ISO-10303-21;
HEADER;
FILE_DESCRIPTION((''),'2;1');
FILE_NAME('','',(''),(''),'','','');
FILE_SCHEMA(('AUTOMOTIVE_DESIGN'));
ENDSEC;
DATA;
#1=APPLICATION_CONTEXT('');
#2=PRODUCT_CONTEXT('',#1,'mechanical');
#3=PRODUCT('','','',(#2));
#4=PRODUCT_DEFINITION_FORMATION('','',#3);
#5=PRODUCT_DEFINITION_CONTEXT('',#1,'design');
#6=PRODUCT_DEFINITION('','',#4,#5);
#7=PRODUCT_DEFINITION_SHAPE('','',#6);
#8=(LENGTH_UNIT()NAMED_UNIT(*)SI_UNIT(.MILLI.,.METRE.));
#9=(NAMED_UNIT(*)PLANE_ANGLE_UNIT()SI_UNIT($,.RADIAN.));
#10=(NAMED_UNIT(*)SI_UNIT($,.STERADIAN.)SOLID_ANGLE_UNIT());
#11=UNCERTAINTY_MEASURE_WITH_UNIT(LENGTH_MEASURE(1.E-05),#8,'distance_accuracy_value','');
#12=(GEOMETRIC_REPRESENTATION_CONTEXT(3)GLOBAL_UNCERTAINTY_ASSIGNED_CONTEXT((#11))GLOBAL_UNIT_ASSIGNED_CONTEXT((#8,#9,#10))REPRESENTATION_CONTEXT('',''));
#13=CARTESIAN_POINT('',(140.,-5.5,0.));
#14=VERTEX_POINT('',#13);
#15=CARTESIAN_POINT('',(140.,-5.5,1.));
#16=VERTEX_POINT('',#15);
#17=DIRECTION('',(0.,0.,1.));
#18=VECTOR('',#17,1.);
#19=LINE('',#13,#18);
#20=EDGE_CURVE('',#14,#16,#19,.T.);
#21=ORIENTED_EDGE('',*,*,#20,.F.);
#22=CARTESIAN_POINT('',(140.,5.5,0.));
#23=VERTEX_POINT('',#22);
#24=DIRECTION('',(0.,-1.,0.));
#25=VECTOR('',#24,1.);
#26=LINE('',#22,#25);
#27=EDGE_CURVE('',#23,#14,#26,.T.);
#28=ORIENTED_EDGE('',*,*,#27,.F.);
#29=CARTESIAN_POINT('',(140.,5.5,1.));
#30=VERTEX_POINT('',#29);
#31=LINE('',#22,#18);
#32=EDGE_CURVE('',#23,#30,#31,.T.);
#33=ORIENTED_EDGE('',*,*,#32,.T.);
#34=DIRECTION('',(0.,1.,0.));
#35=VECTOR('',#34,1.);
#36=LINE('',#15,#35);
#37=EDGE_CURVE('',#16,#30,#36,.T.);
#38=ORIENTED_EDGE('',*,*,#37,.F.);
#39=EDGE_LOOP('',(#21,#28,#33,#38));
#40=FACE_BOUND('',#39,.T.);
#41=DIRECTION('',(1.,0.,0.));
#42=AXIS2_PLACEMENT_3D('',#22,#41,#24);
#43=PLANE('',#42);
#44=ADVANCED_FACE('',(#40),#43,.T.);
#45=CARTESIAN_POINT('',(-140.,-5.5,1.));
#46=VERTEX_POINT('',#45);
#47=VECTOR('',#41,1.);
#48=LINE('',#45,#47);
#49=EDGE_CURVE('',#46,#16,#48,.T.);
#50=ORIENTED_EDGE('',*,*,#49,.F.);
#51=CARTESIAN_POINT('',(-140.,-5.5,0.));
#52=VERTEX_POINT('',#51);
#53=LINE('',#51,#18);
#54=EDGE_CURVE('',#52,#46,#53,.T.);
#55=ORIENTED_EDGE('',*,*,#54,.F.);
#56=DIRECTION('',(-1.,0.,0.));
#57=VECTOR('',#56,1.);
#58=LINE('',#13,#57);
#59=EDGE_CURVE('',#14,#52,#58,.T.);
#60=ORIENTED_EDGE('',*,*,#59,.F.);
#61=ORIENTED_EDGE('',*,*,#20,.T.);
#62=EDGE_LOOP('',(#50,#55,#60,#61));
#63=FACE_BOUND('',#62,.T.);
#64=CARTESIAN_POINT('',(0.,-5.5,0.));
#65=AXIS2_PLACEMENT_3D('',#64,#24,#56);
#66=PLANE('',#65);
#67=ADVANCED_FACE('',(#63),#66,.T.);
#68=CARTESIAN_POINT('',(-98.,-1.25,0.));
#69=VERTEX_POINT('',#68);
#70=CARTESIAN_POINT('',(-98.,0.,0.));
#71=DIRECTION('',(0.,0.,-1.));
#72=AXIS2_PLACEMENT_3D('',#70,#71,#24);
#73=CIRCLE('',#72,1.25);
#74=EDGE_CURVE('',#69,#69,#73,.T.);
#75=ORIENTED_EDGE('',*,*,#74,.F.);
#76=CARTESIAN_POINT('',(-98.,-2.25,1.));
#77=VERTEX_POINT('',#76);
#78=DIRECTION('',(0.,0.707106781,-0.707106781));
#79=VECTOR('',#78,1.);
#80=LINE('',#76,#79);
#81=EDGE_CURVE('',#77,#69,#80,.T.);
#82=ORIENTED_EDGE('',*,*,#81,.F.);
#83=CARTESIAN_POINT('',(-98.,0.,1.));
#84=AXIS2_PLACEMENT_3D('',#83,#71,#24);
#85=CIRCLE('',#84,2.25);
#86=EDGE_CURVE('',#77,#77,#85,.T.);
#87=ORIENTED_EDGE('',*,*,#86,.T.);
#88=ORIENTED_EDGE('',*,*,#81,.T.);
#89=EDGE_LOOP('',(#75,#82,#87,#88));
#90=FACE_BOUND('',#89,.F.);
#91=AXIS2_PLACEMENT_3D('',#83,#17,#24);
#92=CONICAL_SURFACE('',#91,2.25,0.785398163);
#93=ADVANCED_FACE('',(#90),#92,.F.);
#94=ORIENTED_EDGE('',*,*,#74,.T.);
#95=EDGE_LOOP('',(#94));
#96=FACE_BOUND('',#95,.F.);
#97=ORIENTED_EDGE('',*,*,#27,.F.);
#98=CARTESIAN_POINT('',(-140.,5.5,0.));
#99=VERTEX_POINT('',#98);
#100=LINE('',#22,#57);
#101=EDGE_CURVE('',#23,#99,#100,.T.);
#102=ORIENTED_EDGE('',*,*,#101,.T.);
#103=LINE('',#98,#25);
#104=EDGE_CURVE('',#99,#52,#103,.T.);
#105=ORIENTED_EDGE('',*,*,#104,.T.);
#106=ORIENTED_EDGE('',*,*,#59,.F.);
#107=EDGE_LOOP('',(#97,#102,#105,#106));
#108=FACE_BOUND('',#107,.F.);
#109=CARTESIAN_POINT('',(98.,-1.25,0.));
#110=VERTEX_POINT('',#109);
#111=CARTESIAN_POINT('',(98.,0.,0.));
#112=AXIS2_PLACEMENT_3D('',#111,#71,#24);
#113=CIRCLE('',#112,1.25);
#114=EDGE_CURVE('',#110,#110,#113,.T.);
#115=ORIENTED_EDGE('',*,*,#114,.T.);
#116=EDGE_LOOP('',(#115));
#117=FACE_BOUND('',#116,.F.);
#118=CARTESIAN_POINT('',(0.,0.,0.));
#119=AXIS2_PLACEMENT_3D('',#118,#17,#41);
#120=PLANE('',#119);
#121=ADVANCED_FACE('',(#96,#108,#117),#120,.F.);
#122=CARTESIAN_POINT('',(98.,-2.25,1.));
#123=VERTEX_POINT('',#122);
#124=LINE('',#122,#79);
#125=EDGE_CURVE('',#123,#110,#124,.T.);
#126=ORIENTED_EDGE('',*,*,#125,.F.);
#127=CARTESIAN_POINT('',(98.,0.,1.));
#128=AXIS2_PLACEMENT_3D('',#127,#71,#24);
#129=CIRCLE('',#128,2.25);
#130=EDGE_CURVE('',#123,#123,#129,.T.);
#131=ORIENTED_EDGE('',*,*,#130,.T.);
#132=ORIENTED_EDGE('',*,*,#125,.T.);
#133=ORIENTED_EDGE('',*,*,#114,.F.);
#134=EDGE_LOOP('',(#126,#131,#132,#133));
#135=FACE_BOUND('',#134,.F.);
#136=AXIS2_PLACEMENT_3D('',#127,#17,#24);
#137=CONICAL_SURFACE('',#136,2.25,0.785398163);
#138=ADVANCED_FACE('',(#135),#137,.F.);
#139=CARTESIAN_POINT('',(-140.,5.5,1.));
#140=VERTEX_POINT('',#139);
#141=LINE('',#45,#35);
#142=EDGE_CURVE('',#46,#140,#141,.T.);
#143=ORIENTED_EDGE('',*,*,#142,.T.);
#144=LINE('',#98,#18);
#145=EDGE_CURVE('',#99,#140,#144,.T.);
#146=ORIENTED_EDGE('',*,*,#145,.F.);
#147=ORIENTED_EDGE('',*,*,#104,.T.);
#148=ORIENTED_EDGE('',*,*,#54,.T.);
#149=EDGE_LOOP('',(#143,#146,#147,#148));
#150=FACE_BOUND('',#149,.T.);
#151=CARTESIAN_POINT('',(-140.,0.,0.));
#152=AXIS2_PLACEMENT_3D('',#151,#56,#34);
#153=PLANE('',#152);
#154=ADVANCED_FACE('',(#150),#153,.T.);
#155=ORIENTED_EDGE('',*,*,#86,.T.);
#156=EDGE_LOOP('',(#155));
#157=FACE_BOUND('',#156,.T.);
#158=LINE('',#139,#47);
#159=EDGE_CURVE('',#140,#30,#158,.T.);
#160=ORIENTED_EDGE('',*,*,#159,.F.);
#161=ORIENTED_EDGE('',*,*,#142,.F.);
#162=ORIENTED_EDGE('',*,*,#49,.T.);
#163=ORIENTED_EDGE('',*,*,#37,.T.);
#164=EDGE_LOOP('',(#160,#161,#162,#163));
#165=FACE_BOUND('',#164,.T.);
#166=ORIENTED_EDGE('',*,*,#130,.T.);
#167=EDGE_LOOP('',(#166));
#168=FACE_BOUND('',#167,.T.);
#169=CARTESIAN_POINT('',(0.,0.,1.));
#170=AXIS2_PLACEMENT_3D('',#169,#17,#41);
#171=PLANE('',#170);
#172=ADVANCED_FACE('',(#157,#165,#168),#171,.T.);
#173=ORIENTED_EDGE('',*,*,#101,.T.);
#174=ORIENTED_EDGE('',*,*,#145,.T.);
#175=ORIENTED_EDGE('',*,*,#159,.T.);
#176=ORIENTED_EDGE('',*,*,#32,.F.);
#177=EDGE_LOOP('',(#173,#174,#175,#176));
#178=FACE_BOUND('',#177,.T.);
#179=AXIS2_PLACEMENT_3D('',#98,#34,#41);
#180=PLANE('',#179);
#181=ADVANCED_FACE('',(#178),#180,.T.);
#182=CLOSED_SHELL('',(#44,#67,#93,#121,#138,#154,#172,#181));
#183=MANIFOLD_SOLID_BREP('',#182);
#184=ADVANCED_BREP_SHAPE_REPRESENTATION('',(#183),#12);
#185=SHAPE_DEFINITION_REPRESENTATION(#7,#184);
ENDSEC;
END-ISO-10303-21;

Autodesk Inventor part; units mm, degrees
ref_plane "YZ Plane" through (0, 0, 0) normal (1, 0, 0) x (0, 1, 0)
ref_plane "XZ Plane" through (0, 0, 0) normal (0, 1, 0) x (-1, 0, 0)
ref_plane "XY Plane" through (0, 0, 0) normal (0, 0, 1) x (1, 0, 0)
sketch "Skizze1" plane through (0, 0, 0) normal (0, 0, 1) x (1, 0, 0)
  line L0 (-196, 0) -> (196, 0) projected
  line L1 (0, -7.7) -> (0, 7.7) projected
  line L2 (-140, 5.5) -> (140, 5.5)
  line L3 (140, 5.5) -> (140, -5.5)
  line L4 (140, -5.5) -> (-140, -5.5)
  line L5 (-140, -5.5) -> (-140, 5.5)
  point P0 (0, 0)
  dimension "d0" = 11
  dimension "d1" = 280
extrude "Extrusion1" add sketch "Skizze1" along normal blind 1
sketch "Skizze2" plane through (0, 0, 1) normal (0, 0, 1) x (1, 0, 0)
  line L0 (-196, 0) -> (196, 0) projected
  line L1 (0, -7.7) -> (0, 7.7) projected
  point P0 (0, 0)
  point P1 (-98, 0)
  point P2 (98, 0)
  dimension "d4" = 196
hole "Bohrung1" at (-98, 0, 1) at (98, 0, 1) direction (0, 0, -1) diameter 2.4 end through all countersink diameter 4.5 countersink angle 90
properties part number "13_1087_039"
